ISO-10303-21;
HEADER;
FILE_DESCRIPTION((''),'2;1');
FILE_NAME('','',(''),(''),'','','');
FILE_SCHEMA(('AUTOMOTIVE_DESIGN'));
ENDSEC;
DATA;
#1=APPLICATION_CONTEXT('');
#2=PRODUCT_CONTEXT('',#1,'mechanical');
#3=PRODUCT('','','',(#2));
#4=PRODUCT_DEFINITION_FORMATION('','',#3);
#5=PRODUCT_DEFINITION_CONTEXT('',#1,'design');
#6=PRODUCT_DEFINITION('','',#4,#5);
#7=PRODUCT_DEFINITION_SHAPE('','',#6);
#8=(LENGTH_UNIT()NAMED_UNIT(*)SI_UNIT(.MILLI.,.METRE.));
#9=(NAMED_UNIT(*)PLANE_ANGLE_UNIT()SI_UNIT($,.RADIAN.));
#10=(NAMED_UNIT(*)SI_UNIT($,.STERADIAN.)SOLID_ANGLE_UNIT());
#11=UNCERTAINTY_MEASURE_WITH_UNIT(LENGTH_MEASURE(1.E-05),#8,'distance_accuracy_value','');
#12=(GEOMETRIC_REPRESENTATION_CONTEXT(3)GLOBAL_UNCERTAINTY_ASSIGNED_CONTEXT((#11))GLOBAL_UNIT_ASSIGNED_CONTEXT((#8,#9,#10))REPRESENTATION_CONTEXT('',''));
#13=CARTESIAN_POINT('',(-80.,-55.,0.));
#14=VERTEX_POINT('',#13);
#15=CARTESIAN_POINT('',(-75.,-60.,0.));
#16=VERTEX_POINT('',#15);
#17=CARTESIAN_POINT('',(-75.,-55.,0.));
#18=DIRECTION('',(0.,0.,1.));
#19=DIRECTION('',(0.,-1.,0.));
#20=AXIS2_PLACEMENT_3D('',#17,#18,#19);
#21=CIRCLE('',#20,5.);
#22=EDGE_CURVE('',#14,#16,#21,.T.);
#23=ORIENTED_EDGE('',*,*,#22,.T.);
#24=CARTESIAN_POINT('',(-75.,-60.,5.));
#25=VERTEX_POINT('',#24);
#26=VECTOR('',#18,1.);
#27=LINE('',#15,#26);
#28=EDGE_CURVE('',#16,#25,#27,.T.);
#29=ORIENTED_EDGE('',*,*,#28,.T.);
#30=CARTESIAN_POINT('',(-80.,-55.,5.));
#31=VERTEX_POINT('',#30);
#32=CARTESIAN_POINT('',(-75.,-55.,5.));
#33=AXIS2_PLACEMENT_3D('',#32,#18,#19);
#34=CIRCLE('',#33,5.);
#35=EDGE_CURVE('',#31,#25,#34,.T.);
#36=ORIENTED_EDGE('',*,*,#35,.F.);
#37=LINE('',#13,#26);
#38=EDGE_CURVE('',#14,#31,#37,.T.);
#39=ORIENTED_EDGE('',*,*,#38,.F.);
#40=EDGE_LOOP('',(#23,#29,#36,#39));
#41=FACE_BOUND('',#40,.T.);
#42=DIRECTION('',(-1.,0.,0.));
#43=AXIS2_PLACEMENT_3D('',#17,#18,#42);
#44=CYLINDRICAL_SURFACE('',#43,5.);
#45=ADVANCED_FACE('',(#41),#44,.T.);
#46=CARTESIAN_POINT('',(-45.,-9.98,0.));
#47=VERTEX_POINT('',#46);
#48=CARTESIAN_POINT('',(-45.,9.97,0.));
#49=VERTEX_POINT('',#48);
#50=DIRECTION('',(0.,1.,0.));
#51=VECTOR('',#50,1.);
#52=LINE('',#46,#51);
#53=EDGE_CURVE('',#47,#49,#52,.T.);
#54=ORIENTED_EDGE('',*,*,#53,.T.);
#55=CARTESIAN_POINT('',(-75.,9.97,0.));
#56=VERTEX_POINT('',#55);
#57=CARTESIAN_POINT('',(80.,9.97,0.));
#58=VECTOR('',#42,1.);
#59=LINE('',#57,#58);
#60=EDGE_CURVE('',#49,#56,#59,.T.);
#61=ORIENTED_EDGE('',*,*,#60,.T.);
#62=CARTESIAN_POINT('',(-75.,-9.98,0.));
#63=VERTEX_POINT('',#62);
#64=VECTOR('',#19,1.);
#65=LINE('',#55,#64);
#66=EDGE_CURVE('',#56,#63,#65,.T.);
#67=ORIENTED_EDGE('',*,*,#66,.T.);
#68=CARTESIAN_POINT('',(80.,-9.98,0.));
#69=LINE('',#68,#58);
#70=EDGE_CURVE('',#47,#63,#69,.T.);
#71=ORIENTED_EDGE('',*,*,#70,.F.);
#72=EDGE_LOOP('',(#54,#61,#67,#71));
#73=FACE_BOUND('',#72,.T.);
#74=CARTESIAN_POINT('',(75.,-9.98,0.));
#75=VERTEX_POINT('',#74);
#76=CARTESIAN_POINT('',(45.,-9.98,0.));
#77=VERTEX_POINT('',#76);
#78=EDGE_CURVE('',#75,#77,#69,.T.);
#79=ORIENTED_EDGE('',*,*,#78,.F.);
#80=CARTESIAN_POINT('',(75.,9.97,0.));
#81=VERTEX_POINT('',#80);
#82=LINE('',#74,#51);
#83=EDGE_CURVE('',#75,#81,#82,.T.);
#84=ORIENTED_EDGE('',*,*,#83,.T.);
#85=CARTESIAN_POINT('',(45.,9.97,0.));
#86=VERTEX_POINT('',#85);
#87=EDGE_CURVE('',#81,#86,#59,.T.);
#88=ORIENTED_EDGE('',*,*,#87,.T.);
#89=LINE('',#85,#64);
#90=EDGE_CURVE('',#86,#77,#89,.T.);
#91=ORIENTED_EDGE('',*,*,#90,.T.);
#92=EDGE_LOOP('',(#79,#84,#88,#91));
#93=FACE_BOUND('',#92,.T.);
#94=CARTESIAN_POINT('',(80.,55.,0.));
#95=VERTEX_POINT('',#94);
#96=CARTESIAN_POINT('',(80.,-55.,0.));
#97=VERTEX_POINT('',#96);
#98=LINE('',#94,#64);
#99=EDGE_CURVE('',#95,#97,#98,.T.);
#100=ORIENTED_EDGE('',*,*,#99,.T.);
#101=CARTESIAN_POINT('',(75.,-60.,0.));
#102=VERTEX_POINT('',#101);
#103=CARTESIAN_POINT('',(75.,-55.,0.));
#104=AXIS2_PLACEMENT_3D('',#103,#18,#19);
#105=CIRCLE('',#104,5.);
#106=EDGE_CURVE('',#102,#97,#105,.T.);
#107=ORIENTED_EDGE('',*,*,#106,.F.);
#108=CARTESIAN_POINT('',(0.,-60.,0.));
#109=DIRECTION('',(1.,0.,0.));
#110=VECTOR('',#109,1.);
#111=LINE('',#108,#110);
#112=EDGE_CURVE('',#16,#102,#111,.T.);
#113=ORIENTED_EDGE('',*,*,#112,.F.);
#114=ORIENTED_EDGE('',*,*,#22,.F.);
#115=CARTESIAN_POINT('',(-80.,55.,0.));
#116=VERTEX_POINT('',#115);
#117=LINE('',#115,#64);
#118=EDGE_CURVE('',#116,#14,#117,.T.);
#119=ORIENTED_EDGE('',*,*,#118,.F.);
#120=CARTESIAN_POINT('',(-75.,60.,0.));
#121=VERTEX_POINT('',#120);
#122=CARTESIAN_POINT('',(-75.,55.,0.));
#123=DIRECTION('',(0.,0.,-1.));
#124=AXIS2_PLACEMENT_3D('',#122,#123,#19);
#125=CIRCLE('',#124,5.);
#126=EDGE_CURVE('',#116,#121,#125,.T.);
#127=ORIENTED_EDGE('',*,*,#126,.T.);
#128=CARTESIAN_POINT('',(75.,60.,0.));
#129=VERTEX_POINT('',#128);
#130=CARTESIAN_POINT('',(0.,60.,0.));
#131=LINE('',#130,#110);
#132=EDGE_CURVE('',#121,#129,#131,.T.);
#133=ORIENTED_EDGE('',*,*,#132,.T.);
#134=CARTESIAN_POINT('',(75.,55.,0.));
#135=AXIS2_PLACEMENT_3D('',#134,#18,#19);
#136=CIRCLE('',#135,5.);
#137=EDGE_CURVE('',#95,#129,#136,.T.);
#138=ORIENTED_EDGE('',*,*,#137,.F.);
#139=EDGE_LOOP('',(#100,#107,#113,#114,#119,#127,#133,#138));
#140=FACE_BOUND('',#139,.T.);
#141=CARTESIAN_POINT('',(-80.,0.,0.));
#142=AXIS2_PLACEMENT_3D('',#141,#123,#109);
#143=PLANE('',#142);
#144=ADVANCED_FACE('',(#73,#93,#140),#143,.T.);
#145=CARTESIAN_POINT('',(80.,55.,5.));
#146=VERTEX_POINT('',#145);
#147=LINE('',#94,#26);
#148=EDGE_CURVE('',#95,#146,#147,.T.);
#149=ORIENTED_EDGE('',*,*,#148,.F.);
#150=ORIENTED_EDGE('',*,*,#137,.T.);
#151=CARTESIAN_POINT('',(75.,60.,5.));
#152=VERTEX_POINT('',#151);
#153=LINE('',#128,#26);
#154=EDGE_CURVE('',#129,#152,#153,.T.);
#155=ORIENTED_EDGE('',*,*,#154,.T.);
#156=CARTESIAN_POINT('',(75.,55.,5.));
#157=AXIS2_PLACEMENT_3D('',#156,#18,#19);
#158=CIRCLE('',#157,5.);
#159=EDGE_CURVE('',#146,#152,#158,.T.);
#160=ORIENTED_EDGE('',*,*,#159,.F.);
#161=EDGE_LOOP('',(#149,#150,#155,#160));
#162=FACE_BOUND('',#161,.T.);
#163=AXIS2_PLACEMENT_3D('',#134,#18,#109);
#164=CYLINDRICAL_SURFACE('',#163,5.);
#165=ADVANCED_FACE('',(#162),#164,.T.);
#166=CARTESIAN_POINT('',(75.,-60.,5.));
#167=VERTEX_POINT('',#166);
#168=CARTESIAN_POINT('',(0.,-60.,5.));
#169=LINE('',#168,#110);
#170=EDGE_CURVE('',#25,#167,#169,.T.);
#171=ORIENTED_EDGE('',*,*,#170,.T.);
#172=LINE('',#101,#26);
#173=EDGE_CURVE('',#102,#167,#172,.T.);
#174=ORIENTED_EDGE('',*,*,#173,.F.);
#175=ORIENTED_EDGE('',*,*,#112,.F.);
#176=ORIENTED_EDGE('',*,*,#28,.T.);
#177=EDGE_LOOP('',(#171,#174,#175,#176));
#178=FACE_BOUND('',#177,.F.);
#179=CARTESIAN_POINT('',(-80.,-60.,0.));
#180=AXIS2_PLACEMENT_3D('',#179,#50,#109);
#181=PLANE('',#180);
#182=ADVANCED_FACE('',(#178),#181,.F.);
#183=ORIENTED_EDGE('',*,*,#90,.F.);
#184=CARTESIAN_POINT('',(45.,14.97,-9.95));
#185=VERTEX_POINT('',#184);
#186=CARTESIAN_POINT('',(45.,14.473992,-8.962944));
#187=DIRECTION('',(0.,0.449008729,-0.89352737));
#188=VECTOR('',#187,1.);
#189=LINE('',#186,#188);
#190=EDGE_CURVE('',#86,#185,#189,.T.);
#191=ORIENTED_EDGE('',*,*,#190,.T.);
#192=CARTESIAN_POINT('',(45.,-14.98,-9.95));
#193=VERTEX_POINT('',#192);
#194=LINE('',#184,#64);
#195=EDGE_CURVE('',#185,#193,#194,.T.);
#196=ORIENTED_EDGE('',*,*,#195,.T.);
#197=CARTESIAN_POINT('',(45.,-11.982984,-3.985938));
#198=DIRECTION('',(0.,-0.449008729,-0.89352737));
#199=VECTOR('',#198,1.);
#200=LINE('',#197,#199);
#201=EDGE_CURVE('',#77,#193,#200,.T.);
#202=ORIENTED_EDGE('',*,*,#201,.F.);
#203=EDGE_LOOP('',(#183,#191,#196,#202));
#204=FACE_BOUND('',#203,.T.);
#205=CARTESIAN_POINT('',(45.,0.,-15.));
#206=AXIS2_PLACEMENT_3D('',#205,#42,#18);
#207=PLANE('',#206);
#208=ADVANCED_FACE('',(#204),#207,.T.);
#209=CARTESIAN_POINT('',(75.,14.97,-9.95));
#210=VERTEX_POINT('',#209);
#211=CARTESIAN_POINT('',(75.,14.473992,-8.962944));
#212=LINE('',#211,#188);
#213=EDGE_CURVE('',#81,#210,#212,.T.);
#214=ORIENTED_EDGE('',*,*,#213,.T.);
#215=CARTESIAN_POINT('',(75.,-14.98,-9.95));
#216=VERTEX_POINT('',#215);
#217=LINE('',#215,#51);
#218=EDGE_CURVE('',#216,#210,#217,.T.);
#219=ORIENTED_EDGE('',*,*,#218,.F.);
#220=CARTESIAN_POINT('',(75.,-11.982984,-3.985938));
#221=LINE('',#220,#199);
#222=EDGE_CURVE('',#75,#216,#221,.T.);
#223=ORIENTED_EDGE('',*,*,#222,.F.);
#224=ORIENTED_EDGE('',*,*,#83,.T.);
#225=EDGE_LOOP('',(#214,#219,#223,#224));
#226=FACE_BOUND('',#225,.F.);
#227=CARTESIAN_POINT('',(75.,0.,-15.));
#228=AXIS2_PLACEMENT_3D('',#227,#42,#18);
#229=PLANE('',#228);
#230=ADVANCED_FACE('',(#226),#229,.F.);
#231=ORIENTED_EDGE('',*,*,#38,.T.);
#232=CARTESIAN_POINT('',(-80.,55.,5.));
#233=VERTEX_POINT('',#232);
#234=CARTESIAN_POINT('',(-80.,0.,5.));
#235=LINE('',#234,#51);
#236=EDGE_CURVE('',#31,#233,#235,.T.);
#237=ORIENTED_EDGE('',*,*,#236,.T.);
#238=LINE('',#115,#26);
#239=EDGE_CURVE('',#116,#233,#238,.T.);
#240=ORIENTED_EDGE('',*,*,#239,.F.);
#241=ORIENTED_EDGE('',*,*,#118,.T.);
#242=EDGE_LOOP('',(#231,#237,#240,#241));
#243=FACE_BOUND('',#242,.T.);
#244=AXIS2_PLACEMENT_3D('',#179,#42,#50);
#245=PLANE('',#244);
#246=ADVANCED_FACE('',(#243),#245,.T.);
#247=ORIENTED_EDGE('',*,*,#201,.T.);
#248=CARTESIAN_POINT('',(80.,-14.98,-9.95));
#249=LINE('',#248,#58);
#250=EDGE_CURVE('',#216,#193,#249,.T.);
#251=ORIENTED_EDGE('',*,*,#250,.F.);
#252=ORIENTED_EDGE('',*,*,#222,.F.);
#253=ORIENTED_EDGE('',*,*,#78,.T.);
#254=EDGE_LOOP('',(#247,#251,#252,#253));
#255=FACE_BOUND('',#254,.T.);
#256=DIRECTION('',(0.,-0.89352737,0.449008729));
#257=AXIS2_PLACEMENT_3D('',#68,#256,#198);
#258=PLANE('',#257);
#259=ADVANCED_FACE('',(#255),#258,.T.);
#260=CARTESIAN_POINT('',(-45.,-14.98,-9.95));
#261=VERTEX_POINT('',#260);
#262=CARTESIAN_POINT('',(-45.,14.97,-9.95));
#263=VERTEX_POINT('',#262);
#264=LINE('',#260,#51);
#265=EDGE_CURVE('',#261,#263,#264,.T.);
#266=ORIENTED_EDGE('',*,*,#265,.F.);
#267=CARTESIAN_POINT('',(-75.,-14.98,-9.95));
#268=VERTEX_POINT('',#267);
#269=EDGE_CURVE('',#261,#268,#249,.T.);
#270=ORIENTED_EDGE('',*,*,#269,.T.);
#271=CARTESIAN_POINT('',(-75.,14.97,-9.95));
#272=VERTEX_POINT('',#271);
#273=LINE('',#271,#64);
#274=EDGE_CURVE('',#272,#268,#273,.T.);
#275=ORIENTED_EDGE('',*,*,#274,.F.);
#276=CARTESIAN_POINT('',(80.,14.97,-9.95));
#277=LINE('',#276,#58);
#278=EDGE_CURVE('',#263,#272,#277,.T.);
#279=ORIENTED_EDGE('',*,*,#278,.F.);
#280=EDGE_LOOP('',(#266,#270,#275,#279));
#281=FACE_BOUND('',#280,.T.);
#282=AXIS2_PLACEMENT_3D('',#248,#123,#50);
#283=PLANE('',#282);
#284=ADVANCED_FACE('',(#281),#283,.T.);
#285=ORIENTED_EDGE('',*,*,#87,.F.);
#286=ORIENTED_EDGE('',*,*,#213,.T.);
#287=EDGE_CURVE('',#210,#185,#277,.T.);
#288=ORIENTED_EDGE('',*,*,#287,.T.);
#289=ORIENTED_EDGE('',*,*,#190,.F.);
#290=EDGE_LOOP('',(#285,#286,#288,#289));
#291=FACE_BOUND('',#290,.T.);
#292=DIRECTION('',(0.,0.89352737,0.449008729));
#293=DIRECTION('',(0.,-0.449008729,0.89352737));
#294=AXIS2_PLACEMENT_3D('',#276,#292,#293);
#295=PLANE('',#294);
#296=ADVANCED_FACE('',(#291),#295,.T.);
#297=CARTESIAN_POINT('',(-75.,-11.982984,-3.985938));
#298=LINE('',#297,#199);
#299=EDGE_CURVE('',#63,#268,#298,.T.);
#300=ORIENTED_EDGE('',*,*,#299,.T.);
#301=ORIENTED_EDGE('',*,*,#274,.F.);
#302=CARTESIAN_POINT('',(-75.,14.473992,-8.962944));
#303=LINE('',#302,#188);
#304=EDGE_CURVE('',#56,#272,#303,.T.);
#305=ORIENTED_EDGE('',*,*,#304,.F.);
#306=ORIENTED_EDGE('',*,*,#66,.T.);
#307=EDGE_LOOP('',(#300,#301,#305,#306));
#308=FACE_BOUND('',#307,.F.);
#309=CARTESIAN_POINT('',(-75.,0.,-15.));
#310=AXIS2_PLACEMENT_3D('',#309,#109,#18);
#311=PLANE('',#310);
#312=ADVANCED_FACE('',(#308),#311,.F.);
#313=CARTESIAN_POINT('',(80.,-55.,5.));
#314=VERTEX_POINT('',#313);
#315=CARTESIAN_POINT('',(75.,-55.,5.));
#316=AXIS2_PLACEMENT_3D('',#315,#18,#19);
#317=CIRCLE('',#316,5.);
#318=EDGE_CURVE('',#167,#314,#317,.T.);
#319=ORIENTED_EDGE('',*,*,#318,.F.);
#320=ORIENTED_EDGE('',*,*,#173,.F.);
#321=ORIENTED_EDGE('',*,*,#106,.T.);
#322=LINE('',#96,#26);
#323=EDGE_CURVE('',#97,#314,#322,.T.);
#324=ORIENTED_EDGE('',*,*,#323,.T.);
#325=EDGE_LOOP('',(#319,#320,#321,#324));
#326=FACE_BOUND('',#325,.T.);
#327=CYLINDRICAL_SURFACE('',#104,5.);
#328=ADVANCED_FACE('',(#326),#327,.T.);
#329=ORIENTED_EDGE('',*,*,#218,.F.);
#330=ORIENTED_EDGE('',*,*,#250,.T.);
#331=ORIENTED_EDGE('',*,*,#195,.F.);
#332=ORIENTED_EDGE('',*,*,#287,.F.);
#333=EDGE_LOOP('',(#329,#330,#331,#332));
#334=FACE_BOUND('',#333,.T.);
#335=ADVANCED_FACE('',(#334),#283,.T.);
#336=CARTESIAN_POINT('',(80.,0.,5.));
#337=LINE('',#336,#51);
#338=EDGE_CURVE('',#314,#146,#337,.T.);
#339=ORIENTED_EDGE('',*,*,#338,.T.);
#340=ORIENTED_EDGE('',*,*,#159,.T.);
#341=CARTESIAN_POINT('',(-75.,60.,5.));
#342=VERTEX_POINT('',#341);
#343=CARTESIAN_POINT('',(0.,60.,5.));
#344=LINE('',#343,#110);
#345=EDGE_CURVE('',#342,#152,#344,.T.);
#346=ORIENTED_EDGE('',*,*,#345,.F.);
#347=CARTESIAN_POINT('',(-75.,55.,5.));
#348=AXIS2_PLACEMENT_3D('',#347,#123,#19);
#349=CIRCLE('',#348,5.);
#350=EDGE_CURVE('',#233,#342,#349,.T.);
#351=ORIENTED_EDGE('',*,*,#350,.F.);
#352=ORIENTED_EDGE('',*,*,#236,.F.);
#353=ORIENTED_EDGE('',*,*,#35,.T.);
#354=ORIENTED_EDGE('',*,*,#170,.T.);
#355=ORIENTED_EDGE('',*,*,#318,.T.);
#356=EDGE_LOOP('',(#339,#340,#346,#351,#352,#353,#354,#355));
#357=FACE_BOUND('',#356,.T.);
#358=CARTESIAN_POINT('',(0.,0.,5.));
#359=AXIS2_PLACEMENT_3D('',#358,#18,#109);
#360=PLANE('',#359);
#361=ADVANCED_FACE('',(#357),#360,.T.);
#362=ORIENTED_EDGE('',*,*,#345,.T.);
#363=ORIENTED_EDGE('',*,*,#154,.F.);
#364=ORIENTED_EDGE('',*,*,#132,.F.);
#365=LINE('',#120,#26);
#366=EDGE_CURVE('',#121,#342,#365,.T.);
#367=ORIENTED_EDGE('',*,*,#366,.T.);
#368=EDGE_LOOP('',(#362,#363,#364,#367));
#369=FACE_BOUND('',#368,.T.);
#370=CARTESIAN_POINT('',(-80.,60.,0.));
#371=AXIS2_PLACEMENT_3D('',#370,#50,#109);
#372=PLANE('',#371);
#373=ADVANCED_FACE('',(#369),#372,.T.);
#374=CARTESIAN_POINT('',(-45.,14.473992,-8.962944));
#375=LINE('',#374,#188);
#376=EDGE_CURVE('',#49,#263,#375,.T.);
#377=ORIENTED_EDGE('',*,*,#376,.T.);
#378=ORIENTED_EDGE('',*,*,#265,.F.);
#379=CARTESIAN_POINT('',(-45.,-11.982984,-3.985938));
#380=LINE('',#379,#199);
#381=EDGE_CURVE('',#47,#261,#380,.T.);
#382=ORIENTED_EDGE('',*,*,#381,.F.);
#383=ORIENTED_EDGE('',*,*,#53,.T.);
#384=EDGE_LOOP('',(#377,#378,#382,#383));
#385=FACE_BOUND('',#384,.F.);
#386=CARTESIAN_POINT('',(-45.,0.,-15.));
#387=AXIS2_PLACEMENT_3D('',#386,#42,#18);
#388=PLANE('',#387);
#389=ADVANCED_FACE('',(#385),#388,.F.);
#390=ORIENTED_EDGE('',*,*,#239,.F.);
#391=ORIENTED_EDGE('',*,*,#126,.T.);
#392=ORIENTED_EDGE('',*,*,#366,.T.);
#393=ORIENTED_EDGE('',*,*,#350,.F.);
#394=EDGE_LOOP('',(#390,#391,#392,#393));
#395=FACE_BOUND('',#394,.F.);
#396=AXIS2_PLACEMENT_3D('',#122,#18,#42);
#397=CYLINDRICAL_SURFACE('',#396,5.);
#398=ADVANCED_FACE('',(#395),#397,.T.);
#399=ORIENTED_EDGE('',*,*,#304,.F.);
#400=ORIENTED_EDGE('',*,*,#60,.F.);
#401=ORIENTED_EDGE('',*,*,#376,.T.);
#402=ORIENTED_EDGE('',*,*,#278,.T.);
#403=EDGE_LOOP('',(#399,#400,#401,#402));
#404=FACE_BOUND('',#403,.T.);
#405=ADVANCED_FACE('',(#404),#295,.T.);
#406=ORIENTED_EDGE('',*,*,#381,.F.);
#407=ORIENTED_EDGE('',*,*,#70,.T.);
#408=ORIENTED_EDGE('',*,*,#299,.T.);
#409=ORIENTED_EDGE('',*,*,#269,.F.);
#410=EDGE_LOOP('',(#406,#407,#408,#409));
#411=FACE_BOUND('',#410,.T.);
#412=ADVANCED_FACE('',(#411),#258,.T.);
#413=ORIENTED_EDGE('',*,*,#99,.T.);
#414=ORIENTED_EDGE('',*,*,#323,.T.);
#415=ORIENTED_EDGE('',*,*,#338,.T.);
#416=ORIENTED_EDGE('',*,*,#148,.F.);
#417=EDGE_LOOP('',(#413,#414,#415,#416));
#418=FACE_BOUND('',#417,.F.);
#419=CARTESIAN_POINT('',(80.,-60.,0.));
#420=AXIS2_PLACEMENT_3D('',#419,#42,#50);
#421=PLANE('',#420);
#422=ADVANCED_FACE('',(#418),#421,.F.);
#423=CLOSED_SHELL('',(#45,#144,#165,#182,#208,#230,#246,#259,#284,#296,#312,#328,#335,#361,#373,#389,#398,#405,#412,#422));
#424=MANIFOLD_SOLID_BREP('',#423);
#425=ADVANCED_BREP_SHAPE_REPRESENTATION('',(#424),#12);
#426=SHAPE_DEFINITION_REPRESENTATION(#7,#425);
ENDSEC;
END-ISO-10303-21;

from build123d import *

# Parameters (mm, degrees)
F0_W          = 160
F0_H          = 120
F1_DEPTH      = 5
F2_R          = 5
F4_DEPTH      = 160
F5_W          = 90
F5_H          = 15
F5_W_2        = 5
F6_DEPTH      = 25
F6_DEPTH_BACK = 25


with BuildPart() as f1:
    # F0 (on Top) → F1 (new body)
    with BuildSketch(Plane.XY):
        Rectangle(F0_W, F0_H)
    extrude(amount=F1_DEPTH)

    # F2
    f2_edges = [f1.edges().sort_by_distance(p)[0] for p in [
        (80, 60, 2.5),
        (80, -60, 2.5),
        (-80, -60, 2.5),
        (-80, 60, 2.5),
    ]]
    fillet(f2_edges, radius=F2_R)

    # F3 (on face) → F4 (join)
    with BuildSketch(Plane.YZ.offset(80)):
        Polygon((9.97, 0), (-9.98, 0), (-14.98, -9.95), (14.97, -9.95), align=None)
    extrude(amount=-F4_DEPTH)

    # F5 (on Front) → F6 (cut, two sides)
    with BuildSketch(Plane.XZ) as f6_sk:
        with Locations((0, -7.5)):
            Rectangle(F5_W, F5_H)
        with Locations((-77.5, -7.5)):
            Rectangle(F5_W_2, F5_H)
        with Locations((77.5, -7.5)):
            Rectangle(F5_W_2, F5_H)
    extrude(amount=F6_DEPTH, mode=Mode.SUBTRACT)
    extrude(f6_sk.sketch, amount=-F6_DEPTH_BACK, mode=Mode.SUBTRACT)


solid = f1.part
